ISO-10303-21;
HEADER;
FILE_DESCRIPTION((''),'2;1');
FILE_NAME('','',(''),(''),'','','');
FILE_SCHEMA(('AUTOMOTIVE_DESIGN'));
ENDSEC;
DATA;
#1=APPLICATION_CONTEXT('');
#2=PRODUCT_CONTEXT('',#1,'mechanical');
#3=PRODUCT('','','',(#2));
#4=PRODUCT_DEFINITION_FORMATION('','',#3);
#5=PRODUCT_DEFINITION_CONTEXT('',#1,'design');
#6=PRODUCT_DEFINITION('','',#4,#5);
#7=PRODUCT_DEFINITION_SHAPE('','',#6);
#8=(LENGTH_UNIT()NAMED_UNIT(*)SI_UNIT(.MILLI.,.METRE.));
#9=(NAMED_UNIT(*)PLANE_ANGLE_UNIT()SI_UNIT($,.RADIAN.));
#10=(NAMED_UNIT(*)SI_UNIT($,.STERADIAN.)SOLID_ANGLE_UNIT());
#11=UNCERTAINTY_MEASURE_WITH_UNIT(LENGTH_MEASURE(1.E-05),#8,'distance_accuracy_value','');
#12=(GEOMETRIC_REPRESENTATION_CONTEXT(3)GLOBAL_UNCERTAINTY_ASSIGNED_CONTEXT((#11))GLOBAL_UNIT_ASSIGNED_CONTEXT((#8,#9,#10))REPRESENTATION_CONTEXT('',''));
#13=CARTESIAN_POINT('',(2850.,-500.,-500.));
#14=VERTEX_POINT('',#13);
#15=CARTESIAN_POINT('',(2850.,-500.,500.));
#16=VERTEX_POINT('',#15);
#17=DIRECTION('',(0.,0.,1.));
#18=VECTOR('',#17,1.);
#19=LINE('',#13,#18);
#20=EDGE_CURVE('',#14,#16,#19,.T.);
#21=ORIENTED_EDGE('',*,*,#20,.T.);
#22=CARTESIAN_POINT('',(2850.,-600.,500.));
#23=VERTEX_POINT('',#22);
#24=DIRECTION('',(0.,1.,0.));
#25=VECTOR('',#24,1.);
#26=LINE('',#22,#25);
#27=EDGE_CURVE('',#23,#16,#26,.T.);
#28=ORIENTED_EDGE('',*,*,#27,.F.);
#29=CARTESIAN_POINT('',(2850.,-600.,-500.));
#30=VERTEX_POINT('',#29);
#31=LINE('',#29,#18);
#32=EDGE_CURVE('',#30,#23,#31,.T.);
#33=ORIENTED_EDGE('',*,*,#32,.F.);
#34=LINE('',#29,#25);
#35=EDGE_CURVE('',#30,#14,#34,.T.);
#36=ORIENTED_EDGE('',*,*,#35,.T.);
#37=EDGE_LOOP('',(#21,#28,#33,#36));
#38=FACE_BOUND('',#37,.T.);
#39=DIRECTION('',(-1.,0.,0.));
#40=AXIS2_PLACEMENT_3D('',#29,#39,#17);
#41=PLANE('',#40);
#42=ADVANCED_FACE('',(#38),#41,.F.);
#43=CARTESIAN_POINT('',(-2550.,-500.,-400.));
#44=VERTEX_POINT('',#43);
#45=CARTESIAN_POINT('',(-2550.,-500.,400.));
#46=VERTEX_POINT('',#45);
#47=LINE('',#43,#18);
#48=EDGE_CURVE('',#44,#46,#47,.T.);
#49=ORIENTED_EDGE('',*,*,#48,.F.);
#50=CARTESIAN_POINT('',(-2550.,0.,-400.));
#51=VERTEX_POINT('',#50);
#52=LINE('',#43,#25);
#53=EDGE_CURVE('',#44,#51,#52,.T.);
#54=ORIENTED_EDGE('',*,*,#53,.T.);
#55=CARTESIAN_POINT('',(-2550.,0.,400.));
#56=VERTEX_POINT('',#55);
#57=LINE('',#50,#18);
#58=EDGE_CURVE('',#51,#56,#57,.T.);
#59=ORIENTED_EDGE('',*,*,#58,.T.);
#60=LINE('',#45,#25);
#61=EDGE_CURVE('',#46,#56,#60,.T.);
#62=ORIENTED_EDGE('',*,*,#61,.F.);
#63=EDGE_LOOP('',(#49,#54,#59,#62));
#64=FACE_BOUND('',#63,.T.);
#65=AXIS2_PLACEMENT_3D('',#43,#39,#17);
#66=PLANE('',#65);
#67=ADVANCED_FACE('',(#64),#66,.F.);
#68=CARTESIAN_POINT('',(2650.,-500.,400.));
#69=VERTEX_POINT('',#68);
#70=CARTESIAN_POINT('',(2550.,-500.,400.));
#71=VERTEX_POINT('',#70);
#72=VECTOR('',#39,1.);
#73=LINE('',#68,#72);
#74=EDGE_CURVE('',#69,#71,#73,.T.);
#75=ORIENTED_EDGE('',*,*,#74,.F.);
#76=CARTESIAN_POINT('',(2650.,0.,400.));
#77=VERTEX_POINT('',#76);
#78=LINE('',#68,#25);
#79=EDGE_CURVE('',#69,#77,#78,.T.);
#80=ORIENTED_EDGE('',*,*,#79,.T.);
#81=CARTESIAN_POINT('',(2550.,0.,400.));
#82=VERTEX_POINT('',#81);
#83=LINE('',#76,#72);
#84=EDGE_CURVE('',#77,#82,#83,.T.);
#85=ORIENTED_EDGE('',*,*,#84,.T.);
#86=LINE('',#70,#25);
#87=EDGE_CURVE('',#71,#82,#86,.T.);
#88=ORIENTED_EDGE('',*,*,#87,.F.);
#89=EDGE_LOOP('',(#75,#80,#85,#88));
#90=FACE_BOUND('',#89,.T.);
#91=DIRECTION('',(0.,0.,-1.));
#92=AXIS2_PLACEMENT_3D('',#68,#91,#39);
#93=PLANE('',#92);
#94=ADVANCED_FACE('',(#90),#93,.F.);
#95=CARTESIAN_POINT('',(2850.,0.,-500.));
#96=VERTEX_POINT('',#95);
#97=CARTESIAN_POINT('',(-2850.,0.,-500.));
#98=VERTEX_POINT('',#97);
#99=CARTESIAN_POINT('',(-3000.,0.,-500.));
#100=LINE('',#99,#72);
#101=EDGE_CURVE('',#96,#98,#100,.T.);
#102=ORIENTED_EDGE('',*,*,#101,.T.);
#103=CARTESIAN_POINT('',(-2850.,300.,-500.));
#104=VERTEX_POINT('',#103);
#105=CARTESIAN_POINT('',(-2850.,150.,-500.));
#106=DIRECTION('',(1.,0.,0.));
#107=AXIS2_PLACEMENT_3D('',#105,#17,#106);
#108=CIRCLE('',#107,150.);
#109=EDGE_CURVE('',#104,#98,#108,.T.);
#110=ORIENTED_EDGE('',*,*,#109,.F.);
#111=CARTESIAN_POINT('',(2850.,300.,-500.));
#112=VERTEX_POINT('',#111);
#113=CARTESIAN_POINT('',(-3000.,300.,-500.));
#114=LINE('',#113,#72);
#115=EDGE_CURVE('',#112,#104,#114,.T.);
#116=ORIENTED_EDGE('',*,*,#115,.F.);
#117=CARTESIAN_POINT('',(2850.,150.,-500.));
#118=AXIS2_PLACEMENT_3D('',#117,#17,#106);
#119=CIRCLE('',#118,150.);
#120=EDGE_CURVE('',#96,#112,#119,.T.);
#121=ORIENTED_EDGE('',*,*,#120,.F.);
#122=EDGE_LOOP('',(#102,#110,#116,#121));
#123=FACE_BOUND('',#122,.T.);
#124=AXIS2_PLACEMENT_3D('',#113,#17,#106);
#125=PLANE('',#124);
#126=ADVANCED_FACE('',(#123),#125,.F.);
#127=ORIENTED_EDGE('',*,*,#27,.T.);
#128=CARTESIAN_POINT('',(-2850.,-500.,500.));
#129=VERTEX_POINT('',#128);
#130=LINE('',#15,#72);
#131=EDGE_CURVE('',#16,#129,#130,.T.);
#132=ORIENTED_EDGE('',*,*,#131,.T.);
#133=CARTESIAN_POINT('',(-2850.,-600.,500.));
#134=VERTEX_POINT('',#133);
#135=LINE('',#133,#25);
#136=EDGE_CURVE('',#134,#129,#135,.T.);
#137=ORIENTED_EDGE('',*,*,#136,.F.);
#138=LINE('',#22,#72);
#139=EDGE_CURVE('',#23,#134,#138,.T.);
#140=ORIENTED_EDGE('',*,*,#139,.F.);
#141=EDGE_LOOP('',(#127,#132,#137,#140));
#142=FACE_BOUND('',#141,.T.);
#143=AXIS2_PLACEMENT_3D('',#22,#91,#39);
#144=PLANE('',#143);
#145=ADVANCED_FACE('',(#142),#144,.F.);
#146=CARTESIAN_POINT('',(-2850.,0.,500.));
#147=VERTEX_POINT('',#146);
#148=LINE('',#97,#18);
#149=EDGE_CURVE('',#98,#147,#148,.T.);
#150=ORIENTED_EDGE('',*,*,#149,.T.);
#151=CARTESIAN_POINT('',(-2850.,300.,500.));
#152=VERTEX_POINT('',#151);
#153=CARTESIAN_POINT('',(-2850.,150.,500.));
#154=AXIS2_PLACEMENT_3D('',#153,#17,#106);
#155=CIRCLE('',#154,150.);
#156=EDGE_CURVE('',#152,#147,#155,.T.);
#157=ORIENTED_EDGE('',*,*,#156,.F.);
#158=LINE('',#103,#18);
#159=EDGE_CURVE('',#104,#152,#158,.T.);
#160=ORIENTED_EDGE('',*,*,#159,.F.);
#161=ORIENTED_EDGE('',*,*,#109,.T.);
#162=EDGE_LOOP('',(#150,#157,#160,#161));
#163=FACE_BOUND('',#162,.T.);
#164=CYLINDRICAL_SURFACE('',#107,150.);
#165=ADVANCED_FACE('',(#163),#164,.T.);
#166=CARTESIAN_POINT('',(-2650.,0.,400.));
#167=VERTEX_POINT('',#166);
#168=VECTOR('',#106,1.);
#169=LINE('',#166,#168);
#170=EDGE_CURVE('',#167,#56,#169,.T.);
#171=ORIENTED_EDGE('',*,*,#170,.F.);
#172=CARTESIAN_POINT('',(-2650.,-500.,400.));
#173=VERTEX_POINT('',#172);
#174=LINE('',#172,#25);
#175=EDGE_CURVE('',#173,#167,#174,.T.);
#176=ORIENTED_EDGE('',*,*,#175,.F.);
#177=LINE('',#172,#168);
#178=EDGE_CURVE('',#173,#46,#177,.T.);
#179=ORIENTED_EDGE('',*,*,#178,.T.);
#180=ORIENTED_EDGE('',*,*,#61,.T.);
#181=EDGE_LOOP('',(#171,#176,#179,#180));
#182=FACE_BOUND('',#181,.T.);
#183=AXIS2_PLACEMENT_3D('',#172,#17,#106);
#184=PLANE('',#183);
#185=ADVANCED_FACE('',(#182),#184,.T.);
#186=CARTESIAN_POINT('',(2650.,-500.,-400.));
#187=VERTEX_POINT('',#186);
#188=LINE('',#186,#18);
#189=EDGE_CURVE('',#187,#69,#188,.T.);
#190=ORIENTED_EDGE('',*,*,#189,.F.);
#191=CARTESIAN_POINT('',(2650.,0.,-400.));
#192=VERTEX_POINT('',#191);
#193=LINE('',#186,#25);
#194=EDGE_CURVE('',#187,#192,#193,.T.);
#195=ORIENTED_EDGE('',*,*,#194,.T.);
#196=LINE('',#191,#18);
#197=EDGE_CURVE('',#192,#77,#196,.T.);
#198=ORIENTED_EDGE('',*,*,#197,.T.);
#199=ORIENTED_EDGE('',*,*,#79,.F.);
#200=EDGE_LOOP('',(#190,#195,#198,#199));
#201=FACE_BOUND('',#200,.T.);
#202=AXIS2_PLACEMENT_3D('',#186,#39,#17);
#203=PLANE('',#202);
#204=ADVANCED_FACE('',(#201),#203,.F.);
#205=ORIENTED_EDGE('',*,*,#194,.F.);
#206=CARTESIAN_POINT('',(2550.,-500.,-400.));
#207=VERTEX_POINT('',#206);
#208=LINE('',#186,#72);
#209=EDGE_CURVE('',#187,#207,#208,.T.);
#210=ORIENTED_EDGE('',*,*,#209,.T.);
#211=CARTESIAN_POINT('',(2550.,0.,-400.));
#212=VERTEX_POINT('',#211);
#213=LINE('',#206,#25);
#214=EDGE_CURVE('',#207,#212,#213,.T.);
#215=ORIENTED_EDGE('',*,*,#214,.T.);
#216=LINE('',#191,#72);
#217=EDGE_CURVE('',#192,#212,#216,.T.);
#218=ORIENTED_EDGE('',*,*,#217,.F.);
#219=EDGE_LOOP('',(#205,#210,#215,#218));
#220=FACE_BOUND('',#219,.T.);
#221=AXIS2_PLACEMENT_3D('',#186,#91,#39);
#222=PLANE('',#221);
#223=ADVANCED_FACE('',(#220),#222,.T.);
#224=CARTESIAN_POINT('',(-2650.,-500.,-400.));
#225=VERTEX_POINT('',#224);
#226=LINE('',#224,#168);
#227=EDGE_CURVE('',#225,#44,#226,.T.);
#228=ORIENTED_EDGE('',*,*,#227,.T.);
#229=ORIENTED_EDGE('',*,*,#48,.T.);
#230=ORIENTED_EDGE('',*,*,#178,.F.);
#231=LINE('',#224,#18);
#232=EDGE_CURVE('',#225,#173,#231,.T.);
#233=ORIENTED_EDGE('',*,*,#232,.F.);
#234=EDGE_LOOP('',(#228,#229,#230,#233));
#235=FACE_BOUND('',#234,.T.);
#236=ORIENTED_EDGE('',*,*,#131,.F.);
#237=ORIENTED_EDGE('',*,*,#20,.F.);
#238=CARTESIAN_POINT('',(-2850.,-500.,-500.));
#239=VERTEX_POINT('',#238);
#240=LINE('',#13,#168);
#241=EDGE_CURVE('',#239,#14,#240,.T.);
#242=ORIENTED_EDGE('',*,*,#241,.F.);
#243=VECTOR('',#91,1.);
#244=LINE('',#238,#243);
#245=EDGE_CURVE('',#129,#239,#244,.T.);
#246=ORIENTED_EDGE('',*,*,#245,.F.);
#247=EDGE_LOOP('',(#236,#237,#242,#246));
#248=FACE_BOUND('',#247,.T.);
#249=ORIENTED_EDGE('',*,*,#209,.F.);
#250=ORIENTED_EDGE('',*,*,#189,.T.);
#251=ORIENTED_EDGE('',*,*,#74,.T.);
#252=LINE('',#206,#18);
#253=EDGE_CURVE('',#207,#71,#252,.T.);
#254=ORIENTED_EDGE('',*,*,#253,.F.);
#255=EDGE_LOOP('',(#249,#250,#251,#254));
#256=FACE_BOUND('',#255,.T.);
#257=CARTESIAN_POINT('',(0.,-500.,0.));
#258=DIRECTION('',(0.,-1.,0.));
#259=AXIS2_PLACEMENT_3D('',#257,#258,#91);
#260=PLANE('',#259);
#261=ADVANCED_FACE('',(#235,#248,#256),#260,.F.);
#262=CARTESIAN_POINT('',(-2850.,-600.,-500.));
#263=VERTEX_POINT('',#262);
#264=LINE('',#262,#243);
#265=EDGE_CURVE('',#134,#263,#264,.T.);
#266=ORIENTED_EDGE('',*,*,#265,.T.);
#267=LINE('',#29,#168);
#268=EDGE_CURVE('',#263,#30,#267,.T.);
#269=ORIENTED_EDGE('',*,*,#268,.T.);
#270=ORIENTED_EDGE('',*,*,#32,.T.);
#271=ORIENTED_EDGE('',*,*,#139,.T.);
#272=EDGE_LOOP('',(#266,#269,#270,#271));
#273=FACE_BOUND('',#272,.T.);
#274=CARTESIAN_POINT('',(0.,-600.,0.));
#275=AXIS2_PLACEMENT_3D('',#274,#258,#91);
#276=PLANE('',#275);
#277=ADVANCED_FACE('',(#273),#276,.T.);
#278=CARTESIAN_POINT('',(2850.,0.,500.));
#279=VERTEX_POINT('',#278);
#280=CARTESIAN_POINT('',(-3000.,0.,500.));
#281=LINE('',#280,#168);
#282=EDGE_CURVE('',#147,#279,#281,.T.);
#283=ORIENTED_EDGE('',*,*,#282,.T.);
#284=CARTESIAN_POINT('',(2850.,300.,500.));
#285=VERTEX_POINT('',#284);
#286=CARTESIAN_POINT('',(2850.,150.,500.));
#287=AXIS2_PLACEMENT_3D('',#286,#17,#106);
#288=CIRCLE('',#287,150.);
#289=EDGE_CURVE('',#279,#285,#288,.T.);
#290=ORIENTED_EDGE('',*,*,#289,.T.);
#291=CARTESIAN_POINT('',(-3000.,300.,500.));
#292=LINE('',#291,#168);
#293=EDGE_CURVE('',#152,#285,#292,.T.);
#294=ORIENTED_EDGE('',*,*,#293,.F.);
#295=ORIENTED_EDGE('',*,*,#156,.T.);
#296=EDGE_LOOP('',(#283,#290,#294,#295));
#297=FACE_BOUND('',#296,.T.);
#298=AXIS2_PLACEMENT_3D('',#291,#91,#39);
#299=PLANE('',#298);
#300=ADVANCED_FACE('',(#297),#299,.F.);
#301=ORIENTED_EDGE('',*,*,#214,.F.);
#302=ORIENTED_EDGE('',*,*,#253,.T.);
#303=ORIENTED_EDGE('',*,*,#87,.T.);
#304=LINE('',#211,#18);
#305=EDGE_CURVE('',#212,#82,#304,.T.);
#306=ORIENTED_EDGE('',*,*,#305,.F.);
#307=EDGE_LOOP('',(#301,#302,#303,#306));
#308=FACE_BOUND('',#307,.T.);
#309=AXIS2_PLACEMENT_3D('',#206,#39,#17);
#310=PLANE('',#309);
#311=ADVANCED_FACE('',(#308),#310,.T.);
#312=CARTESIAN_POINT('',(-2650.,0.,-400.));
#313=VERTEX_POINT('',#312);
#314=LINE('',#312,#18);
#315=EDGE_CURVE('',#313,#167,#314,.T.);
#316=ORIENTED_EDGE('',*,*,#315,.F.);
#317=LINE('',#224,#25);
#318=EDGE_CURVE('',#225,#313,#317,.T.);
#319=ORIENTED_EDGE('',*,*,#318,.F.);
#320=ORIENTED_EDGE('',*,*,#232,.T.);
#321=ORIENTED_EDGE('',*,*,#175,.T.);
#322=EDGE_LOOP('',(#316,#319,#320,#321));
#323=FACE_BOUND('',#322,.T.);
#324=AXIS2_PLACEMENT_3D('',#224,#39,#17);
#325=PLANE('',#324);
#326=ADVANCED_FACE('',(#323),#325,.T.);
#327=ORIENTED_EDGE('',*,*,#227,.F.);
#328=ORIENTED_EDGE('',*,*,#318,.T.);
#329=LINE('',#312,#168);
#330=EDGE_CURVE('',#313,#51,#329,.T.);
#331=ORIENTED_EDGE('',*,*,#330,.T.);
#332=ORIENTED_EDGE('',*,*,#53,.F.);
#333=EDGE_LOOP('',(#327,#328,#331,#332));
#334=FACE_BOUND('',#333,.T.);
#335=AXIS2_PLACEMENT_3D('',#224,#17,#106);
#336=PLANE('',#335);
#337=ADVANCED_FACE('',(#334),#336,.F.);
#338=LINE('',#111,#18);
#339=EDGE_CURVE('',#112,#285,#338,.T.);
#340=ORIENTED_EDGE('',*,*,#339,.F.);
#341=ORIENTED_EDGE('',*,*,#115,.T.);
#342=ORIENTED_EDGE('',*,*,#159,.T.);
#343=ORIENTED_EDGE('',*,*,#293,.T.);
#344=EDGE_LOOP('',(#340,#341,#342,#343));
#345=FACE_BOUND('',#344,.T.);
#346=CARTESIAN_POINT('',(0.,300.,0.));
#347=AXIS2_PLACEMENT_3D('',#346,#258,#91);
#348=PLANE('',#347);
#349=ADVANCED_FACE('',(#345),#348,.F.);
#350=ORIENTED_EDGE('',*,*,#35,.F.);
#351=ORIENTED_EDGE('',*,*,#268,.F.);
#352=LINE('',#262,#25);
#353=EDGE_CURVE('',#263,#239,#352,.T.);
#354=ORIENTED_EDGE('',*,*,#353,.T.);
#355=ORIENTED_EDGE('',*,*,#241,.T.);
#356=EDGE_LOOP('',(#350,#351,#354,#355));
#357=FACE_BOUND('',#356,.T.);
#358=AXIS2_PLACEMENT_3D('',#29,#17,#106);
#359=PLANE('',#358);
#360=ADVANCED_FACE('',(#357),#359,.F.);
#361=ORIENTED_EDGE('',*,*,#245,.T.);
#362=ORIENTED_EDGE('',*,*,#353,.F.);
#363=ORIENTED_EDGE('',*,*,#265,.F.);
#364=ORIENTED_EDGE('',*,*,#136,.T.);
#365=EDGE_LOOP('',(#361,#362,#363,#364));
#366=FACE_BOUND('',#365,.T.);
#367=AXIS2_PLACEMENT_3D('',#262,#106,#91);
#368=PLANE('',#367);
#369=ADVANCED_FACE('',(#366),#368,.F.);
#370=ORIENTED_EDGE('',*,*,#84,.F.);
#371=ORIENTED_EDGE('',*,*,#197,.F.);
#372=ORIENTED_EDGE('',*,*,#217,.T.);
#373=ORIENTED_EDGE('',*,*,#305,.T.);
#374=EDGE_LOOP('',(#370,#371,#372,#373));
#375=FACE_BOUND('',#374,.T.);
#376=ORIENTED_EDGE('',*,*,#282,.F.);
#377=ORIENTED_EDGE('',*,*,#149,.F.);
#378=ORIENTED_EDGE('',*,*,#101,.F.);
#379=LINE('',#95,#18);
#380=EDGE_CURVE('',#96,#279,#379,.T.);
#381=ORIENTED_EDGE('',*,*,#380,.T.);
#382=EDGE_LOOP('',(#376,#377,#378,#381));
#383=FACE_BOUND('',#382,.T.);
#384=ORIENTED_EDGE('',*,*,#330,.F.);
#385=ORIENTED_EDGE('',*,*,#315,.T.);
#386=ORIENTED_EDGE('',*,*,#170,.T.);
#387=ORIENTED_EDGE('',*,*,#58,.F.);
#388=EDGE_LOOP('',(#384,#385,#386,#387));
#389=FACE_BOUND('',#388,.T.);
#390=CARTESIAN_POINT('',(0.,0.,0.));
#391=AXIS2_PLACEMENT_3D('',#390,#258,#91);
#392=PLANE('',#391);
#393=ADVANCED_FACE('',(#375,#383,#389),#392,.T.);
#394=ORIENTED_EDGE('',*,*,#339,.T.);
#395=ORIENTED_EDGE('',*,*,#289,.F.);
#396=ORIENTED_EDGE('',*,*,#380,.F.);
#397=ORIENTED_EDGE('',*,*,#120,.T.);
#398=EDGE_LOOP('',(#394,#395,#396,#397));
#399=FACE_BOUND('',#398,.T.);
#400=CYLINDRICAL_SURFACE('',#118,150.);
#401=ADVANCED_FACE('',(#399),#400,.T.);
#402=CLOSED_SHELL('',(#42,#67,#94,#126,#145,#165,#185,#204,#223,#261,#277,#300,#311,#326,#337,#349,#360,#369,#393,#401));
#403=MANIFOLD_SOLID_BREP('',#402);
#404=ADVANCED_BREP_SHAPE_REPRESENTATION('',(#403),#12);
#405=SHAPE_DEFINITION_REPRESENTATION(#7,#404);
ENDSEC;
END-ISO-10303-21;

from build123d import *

# Parameters (mm, degrees)
SKETCH1_W           = 6000
SKETCH1_H           = 1000
BOSS_EXTRUDE1_DEPTH = 300
CUT_EXTRUDE1_DEPTH  = 1001
SKETCH5_W           = 100
SKETCH5_H           = 800
BOSS_EXTRUDE2_DEPTH = 500
SKETCH6_W           = 5700
SKETCH6_H           = 1000
BOSS_EXTRUDE3_DEPTH = 100


with BuildPart() as part:
    # Sketch1 → Boss-Extrude1 (new body)
    with BuildSketch(Plane(origin=(0, 0, 0), x_dir=(1, 0, 0), z_dir=(0, 1, 0))):
        Rectangle(SKETCH1_W, SKETCH1_H)
    extrude(amount=BOSS_EXTRUDE1_DEPTH)

    # Sketch4 → Cut-Extrude1 (cut, through all)
    with BuildSketch(Plane.XY.offset(500)):
        with BuildLine():
            Line((3000, 300), (2850, 300))
            ThreePointArc((2850, 300), (2956.066017178, 256.066017178), (3000, 150))
            Line((3000, 150), (3000, 300))
        make_face()
        with BuildLine():
            Line((3000, 0), (3000, 150))
            ThreePointArc((3000, 150), (2956.066017178, 43.933982822), (2850, 0))
            Line((2850, 0), (3000, 0))
        make_face()
        with BuildLine():
            Line((-2850, 300), (-3000, 300))
            Line((-3000, 300), (-3000, 150))
            ThreePointArc((-3000, 150), (-2956.066017178, 256.066017178), (-2850, 300))
        make_face()
        with BuildLine():
            ThreePointArc((-2850, 0), (-2956.066017178, 43.933982822), (-3000, 150))
            Line((-3000, 150), (-3000, 0))
            Line((-3000, 0), (-2850, 0))
        make_face()
    extrude(amount=-CUT_EXTRUDE1_DEPTH, mode=Mode.SUBTRACT)

    # Sketch5 → Boss-Extrude2 (add)
    with BuildSketch(Plane(origin=(0, 0, 0), x_dir=(-1, 0, 0), z_dir=(0, -1, 0))):
        with Locations((2600, 0)):
            Rectangle(SKETCH5_W, SKETCH5_H)
        with Locations((-2600, 0)):
            Rectangle(SKETCH5_W, SKETCH5_H)
    extrude(amount=BOSS_EXTRUDE2_DEPTH)

    # Sketch6 → Boss-Extrude3 (add)
    with BuildSketch(Plane(origin=(0, -500, 0), x_dir=(-1, 0, 0), z_dir=(0, -1, 0))):
        Rectangle(SKETCH6_W, SKETCH6_H)
    extrude(amount=BOSS_EXTRUDE3_DEPTH)


solid = part.part
